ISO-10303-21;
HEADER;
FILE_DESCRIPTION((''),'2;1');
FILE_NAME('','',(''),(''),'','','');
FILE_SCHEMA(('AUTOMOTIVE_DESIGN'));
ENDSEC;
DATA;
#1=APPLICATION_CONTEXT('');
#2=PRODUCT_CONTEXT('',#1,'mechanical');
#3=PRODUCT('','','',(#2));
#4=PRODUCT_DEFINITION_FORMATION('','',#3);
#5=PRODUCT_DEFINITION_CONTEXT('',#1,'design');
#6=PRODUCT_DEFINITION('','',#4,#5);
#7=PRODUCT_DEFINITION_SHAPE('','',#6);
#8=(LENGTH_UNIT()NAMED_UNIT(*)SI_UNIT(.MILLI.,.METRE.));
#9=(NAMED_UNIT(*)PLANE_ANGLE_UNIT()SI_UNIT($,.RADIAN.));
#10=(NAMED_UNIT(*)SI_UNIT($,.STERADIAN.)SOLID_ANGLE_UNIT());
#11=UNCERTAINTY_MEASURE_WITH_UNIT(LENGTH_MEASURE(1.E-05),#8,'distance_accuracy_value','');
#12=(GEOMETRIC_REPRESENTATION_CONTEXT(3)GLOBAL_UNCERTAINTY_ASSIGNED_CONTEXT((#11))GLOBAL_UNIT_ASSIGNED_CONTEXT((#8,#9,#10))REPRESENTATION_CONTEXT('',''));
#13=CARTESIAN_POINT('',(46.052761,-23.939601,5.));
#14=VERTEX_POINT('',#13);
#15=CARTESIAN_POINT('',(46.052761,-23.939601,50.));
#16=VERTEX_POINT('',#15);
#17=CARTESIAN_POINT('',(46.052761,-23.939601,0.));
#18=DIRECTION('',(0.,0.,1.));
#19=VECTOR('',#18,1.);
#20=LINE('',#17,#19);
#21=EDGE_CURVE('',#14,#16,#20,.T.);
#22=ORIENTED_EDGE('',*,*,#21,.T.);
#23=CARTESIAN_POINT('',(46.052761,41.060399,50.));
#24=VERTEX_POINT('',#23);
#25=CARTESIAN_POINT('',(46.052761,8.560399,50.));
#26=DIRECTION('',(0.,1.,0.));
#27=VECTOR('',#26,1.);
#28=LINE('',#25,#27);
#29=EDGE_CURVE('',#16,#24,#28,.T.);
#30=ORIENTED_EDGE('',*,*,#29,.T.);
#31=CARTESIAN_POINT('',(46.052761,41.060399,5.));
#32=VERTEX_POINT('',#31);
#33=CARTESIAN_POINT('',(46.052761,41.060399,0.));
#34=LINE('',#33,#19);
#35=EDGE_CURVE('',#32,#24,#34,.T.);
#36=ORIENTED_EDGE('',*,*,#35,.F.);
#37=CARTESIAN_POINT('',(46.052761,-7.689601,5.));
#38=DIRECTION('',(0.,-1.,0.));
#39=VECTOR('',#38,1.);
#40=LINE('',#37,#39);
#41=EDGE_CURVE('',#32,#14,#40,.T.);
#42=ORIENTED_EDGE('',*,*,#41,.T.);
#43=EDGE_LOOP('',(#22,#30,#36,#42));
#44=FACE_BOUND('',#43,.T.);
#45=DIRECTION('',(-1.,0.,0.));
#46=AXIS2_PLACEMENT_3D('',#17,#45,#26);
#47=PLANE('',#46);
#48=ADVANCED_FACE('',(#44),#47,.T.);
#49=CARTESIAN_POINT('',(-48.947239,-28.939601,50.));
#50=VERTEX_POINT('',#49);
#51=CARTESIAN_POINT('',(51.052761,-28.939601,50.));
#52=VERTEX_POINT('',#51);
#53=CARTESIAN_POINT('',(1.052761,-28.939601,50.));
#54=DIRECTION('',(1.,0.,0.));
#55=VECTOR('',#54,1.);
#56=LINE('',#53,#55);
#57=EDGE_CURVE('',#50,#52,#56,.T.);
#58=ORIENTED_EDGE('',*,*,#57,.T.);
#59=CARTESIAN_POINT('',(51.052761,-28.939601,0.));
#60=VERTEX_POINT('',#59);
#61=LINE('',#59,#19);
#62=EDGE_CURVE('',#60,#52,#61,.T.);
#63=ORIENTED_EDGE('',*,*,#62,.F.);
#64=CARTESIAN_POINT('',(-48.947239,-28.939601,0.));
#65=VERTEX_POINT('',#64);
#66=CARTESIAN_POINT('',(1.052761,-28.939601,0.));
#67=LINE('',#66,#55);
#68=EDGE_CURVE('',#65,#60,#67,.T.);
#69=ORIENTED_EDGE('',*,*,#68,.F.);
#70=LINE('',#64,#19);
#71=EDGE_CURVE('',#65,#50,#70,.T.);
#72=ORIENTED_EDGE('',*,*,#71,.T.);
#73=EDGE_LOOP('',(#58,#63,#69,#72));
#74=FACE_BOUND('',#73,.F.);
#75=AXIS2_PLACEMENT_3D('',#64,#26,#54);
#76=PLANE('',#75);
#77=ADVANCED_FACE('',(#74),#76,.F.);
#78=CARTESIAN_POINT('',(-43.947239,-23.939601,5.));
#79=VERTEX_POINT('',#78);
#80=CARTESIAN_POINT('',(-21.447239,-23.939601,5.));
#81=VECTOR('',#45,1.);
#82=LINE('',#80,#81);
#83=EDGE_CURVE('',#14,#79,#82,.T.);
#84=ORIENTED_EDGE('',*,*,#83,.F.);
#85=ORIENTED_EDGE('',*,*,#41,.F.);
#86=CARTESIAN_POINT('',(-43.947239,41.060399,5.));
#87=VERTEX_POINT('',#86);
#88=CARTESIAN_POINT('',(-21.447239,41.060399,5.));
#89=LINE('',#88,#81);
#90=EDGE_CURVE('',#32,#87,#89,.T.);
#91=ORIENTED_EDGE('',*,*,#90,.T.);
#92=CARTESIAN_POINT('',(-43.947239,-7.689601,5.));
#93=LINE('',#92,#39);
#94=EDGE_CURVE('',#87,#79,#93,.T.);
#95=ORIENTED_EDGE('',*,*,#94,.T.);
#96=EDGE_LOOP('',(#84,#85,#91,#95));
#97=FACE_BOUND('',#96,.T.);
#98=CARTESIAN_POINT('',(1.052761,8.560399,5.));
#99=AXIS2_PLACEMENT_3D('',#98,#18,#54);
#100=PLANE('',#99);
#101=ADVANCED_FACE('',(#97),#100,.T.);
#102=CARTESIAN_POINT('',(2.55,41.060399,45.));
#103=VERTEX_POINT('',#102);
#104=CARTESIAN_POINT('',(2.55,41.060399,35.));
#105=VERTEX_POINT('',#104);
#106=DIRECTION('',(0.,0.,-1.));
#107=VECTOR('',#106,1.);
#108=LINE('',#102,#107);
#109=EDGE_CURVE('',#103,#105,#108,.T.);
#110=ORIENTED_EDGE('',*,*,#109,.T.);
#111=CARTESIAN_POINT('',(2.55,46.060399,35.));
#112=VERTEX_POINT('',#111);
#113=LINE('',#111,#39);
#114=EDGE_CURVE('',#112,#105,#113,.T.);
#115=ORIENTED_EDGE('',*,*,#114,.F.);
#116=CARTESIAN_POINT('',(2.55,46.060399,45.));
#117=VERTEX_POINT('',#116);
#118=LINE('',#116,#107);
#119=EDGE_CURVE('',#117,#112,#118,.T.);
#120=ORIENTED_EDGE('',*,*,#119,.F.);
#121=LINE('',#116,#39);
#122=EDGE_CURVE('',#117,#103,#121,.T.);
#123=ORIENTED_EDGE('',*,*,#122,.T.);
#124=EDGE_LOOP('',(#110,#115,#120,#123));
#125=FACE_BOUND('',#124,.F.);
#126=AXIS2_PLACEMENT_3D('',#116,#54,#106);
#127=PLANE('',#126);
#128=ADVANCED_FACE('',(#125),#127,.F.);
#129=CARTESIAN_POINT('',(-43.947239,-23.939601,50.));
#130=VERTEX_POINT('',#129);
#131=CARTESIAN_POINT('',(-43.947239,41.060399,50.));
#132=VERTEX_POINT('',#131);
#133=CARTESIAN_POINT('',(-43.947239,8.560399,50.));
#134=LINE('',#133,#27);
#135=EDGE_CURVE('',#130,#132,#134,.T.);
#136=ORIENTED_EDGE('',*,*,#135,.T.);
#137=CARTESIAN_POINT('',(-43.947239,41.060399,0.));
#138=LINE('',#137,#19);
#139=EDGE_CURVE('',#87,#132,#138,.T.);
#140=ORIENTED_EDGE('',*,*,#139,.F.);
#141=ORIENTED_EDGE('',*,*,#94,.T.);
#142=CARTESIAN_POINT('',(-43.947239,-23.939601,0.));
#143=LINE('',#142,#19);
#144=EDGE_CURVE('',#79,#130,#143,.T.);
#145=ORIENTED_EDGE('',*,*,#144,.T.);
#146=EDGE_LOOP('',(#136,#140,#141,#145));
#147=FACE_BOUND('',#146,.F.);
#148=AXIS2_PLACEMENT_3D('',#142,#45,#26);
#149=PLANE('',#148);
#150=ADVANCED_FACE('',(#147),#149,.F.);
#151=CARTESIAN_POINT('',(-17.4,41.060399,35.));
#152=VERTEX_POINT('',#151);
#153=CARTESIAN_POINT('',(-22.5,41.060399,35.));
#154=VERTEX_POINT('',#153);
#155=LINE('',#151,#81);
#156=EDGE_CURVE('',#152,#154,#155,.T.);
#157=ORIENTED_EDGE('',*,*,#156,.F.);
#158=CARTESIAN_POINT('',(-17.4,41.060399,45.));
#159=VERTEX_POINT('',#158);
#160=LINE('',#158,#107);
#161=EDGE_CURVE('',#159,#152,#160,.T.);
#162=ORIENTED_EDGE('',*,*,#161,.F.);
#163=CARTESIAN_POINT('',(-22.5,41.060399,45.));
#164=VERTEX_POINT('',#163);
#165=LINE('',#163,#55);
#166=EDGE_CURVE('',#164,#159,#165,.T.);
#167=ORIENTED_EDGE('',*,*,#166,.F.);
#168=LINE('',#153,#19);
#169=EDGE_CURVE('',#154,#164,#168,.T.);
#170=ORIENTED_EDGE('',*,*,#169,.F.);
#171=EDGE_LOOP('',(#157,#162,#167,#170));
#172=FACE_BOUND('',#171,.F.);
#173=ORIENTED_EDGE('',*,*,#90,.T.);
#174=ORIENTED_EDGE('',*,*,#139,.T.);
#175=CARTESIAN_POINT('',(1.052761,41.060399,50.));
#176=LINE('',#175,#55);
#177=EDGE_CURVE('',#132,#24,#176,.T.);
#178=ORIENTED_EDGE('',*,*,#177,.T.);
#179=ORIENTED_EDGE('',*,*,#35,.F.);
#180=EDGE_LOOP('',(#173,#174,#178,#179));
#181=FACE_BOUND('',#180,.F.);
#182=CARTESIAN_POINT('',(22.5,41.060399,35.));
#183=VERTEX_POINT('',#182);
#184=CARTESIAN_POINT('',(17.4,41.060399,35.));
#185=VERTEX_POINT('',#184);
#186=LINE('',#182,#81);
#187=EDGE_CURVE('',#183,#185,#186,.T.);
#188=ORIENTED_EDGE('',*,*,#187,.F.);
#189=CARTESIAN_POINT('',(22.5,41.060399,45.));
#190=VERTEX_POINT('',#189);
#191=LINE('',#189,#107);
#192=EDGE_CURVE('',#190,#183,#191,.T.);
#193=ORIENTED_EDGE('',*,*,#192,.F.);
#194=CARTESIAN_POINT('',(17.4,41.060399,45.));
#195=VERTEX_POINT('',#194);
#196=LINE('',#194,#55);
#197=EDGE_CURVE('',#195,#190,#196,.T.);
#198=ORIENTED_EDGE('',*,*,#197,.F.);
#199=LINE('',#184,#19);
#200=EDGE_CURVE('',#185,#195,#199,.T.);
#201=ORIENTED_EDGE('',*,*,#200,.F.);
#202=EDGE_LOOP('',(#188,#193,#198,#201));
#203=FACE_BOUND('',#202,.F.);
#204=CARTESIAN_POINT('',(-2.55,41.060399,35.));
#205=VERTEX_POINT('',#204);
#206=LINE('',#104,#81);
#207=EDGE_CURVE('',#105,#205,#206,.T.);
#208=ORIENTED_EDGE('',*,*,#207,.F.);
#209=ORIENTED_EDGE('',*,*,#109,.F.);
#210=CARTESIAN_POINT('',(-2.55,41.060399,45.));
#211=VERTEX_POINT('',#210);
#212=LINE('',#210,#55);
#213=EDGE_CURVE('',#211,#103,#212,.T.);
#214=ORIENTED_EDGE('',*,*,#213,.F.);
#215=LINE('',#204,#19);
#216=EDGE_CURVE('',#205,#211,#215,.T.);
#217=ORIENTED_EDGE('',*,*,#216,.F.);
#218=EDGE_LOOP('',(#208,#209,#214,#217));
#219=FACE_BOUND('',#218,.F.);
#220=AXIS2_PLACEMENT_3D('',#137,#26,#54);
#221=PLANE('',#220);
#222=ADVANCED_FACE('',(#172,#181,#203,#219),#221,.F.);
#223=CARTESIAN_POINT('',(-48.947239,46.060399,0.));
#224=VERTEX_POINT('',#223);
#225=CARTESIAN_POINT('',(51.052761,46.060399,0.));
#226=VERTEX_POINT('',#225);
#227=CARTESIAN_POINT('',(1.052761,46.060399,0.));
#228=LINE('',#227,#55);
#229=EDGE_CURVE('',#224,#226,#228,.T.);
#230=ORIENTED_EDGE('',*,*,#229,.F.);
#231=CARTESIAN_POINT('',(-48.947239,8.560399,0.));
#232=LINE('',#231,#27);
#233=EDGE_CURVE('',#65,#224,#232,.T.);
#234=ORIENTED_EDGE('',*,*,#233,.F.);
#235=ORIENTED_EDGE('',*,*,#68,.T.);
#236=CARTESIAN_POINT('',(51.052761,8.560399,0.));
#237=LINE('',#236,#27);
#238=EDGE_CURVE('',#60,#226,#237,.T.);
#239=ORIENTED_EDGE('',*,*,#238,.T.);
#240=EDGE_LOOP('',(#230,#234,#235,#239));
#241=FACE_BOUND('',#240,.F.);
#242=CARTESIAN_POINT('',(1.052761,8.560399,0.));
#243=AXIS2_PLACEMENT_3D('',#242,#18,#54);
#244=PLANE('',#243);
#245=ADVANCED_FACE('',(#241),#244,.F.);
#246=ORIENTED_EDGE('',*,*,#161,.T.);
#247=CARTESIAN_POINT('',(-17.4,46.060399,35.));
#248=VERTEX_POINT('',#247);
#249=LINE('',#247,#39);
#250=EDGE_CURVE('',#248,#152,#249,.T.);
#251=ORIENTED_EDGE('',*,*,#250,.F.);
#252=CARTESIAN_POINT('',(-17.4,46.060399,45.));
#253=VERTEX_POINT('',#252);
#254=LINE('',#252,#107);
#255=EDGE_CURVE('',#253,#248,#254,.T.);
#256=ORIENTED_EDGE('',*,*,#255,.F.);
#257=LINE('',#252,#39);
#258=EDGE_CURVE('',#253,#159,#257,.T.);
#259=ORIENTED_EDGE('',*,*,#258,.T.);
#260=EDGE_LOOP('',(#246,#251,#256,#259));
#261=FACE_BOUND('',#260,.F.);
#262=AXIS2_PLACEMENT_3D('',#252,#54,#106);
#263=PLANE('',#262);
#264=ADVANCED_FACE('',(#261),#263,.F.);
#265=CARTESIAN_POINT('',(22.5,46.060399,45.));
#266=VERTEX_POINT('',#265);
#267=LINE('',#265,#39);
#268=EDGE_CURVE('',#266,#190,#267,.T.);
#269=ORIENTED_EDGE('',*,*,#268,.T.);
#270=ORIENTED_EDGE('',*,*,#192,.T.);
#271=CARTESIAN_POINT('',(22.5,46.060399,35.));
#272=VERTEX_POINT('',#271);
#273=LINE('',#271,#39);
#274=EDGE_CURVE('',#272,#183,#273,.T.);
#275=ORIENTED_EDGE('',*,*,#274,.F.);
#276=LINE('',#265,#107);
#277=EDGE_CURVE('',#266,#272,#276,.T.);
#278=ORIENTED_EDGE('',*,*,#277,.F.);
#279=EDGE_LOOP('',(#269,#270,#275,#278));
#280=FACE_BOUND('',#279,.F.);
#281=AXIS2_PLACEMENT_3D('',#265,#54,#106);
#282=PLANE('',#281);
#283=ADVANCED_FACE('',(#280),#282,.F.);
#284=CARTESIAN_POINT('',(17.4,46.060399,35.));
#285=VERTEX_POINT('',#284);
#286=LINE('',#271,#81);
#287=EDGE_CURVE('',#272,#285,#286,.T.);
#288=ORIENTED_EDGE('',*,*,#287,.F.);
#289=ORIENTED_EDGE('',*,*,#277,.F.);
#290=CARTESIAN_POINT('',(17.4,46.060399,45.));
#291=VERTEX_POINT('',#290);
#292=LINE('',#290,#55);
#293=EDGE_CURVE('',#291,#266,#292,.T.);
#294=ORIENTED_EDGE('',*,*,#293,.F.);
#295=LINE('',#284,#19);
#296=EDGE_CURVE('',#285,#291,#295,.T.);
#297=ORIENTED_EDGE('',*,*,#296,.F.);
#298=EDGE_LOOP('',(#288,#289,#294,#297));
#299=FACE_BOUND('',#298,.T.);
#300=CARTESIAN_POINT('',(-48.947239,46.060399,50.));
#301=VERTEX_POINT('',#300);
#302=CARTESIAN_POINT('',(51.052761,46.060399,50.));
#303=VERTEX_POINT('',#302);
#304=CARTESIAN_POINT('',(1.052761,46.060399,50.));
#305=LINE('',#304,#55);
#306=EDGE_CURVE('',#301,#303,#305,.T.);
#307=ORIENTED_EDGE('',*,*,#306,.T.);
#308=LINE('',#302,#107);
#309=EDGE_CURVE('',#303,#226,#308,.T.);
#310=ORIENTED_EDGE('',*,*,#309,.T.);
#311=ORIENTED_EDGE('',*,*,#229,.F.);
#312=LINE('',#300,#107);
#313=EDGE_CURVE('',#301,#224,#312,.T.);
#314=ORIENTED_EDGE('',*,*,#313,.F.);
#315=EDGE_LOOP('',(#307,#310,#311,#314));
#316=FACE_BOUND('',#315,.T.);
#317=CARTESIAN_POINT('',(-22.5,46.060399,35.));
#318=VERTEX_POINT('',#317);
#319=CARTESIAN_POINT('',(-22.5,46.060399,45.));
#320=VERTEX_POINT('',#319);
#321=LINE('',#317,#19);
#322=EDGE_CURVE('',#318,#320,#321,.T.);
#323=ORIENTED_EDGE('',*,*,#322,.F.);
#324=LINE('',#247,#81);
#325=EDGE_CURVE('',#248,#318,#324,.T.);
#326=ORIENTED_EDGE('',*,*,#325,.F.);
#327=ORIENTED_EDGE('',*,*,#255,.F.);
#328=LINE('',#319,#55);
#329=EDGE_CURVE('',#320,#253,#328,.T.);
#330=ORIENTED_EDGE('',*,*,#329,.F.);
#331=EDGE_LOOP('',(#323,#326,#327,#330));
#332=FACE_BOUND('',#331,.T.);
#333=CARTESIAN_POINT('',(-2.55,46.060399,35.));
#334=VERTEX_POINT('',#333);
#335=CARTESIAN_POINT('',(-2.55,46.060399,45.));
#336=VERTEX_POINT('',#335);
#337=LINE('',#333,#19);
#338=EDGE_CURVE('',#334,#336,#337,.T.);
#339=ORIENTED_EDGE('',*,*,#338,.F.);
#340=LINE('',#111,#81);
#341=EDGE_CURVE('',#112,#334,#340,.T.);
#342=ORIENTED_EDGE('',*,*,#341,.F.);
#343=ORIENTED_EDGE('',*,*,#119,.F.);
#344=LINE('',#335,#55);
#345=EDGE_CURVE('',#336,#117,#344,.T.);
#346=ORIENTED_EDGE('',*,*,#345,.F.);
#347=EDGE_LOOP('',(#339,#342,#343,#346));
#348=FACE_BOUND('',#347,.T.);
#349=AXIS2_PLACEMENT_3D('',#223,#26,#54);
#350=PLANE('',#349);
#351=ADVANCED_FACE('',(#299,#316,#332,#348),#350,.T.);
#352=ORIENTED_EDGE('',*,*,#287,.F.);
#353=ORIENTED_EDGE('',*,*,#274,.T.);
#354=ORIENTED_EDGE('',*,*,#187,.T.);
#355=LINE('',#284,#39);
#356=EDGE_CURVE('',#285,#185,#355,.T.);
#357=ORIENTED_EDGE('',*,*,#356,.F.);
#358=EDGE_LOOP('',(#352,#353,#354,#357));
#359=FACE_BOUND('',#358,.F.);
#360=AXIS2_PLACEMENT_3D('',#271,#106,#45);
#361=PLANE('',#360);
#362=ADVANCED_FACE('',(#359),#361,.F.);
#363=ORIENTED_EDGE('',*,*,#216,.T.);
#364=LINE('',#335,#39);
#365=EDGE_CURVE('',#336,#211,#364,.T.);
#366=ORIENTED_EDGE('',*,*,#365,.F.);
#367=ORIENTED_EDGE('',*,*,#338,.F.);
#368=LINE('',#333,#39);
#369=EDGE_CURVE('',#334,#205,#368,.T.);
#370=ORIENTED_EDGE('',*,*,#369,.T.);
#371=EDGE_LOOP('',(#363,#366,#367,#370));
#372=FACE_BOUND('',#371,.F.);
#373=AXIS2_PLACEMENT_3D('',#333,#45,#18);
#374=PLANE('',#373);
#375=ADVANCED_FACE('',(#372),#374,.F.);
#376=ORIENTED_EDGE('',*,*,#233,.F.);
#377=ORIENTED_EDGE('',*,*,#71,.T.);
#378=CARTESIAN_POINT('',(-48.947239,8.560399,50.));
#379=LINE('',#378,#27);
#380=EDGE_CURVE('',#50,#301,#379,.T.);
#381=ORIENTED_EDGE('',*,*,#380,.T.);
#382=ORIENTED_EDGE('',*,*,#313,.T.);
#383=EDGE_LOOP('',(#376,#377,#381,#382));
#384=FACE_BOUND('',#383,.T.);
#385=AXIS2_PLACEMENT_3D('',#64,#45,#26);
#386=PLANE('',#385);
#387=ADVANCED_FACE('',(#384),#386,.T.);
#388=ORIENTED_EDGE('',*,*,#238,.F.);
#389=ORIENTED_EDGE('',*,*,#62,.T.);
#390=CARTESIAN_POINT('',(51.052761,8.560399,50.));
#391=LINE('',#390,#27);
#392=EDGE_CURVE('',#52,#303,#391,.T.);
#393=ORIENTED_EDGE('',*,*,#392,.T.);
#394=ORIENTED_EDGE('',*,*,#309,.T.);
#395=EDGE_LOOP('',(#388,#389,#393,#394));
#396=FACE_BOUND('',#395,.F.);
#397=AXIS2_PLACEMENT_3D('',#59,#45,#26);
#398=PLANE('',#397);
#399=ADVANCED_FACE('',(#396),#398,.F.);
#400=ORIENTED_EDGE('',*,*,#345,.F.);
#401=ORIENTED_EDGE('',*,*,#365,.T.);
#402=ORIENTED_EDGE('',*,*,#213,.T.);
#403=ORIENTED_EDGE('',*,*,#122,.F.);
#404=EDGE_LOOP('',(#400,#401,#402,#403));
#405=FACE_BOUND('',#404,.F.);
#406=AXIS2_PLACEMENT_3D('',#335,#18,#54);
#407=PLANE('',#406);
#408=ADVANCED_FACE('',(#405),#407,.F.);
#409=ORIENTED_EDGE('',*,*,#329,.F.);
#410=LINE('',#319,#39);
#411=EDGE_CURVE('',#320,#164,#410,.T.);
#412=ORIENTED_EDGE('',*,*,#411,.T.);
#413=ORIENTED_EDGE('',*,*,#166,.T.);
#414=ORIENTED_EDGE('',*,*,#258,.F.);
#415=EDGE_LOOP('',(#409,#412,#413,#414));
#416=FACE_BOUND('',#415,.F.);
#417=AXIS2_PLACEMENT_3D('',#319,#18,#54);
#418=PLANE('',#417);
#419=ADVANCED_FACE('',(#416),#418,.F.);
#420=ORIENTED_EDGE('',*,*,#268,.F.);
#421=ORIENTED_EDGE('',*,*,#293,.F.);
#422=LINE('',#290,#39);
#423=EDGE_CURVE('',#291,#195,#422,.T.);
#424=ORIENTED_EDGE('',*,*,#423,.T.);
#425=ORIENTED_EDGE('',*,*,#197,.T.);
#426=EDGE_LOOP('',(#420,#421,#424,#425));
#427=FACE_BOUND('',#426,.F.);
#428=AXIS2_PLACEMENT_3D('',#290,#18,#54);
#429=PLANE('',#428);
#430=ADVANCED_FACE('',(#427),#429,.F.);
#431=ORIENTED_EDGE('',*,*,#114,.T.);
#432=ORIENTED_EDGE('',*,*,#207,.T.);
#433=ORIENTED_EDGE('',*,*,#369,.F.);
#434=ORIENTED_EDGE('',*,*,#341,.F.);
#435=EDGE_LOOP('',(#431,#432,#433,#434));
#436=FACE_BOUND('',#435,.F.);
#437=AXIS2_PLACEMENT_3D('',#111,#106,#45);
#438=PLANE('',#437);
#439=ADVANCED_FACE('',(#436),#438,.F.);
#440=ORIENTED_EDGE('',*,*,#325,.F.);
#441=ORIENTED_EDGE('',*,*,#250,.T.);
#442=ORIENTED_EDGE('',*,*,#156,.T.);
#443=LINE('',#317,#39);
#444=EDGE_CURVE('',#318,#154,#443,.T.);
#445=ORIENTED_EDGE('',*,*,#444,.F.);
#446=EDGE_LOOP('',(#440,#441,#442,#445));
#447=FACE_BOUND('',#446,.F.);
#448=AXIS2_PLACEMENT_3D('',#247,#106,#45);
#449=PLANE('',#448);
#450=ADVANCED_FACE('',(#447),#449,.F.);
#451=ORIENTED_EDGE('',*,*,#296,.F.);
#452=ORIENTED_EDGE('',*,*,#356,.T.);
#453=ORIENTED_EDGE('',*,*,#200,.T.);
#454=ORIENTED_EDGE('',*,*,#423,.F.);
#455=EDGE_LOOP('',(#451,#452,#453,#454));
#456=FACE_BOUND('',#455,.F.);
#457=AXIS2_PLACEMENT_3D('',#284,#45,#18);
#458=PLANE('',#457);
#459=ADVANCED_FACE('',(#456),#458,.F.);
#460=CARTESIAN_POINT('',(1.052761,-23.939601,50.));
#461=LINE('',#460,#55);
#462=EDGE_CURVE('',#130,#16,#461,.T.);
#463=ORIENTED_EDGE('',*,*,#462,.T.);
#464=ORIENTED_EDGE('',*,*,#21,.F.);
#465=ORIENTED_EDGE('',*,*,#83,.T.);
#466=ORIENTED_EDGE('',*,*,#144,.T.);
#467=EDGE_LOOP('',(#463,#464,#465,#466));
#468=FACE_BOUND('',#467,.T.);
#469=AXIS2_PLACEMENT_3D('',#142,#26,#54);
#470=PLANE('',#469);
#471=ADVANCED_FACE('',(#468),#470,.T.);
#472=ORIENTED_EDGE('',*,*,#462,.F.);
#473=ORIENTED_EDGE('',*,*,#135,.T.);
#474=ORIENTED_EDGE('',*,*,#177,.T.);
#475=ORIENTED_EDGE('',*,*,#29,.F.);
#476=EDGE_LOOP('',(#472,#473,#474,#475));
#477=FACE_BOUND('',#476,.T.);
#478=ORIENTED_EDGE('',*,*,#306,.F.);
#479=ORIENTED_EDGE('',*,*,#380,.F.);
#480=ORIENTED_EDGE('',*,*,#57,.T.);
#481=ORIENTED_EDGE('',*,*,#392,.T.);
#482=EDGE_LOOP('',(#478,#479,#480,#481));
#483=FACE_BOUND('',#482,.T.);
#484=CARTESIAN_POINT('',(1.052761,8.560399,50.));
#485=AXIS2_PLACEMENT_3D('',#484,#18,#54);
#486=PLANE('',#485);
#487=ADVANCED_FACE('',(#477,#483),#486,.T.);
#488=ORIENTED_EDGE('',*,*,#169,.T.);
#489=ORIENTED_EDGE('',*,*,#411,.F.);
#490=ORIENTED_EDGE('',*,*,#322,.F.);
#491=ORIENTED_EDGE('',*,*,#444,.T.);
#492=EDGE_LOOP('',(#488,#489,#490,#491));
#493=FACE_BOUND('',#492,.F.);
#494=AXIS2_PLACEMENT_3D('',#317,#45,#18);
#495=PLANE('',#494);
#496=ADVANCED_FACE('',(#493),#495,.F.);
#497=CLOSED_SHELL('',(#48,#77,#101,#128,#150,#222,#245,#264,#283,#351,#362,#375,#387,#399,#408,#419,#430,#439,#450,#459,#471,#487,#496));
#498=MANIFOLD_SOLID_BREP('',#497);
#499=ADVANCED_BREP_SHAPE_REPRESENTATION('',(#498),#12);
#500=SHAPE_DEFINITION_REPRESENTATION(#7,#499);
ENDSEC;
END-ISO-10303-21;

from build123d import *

# Parameters (mm, degrees)
F1_W     = 100
F1_H     = 75
F1_W_2   = 90
F1_H_2   = 65
F2_DEPTH = 5
F3_DEPTH = 50
F5_DEPTH = 5


with BuildPart() as f2:
    # F1 (on face) → F2 (new body)
    with BuildSketch(Plane.XY):
        with Locations((1.0527614504, 8.5603988189)):
            Rectangle(F1_W, F1_H)
        with Locations((1.0527614504, 8.5603988189)):
            Rectangle(F1_W_2, F1_H_2, mode=Mode.SUBTRACT)
        with Locations((1.0527614504, 8.5603988189)):
            Rectangle(F1_W_2, F1_H_2)
    extrude(amount=F2_DEPTH)

    # F1 (on face) → F3 (join)
    with BuildSketch(Plane.XY):
        with Locations((1.0527614504, 8.5603988189)):
            Rectangle(F1_W, F1_H)
        with Locations((1.0527614504, 8.5603988189)):
            Rectangle(F1_W_2, F1_H_2, mode=Mode.SUBTRACT)
    extrude(amount=F3_DEPTH)

    # F4 (on face) → F5 (cut)
    with BuildSketch(Plane(origin=(0, 46.0603988189, 0), x_dir=(-1, 0, 0), z_dir=(0, 1, 0))):
        Polygon((-17.4, 45), (-22.5, 45), (-22.5, 40), (-22.5, 35), (-17.4, 35), (-17.4, 40), align=None)
        Polygon((2.55, 45), (-2.55, 45), (-2.55, 40), (-2.55, 35), (2.55, 35), (2.55, 40), align=None)
        Polygon((22.5, 45), (17.4, 45), (17.4, 40), (17.4, 35), (22.5, 35), align=None)
    extrude(amount=-F5_DEPTH, mode=Mode.SUBTRACT)


solid = f2.part
